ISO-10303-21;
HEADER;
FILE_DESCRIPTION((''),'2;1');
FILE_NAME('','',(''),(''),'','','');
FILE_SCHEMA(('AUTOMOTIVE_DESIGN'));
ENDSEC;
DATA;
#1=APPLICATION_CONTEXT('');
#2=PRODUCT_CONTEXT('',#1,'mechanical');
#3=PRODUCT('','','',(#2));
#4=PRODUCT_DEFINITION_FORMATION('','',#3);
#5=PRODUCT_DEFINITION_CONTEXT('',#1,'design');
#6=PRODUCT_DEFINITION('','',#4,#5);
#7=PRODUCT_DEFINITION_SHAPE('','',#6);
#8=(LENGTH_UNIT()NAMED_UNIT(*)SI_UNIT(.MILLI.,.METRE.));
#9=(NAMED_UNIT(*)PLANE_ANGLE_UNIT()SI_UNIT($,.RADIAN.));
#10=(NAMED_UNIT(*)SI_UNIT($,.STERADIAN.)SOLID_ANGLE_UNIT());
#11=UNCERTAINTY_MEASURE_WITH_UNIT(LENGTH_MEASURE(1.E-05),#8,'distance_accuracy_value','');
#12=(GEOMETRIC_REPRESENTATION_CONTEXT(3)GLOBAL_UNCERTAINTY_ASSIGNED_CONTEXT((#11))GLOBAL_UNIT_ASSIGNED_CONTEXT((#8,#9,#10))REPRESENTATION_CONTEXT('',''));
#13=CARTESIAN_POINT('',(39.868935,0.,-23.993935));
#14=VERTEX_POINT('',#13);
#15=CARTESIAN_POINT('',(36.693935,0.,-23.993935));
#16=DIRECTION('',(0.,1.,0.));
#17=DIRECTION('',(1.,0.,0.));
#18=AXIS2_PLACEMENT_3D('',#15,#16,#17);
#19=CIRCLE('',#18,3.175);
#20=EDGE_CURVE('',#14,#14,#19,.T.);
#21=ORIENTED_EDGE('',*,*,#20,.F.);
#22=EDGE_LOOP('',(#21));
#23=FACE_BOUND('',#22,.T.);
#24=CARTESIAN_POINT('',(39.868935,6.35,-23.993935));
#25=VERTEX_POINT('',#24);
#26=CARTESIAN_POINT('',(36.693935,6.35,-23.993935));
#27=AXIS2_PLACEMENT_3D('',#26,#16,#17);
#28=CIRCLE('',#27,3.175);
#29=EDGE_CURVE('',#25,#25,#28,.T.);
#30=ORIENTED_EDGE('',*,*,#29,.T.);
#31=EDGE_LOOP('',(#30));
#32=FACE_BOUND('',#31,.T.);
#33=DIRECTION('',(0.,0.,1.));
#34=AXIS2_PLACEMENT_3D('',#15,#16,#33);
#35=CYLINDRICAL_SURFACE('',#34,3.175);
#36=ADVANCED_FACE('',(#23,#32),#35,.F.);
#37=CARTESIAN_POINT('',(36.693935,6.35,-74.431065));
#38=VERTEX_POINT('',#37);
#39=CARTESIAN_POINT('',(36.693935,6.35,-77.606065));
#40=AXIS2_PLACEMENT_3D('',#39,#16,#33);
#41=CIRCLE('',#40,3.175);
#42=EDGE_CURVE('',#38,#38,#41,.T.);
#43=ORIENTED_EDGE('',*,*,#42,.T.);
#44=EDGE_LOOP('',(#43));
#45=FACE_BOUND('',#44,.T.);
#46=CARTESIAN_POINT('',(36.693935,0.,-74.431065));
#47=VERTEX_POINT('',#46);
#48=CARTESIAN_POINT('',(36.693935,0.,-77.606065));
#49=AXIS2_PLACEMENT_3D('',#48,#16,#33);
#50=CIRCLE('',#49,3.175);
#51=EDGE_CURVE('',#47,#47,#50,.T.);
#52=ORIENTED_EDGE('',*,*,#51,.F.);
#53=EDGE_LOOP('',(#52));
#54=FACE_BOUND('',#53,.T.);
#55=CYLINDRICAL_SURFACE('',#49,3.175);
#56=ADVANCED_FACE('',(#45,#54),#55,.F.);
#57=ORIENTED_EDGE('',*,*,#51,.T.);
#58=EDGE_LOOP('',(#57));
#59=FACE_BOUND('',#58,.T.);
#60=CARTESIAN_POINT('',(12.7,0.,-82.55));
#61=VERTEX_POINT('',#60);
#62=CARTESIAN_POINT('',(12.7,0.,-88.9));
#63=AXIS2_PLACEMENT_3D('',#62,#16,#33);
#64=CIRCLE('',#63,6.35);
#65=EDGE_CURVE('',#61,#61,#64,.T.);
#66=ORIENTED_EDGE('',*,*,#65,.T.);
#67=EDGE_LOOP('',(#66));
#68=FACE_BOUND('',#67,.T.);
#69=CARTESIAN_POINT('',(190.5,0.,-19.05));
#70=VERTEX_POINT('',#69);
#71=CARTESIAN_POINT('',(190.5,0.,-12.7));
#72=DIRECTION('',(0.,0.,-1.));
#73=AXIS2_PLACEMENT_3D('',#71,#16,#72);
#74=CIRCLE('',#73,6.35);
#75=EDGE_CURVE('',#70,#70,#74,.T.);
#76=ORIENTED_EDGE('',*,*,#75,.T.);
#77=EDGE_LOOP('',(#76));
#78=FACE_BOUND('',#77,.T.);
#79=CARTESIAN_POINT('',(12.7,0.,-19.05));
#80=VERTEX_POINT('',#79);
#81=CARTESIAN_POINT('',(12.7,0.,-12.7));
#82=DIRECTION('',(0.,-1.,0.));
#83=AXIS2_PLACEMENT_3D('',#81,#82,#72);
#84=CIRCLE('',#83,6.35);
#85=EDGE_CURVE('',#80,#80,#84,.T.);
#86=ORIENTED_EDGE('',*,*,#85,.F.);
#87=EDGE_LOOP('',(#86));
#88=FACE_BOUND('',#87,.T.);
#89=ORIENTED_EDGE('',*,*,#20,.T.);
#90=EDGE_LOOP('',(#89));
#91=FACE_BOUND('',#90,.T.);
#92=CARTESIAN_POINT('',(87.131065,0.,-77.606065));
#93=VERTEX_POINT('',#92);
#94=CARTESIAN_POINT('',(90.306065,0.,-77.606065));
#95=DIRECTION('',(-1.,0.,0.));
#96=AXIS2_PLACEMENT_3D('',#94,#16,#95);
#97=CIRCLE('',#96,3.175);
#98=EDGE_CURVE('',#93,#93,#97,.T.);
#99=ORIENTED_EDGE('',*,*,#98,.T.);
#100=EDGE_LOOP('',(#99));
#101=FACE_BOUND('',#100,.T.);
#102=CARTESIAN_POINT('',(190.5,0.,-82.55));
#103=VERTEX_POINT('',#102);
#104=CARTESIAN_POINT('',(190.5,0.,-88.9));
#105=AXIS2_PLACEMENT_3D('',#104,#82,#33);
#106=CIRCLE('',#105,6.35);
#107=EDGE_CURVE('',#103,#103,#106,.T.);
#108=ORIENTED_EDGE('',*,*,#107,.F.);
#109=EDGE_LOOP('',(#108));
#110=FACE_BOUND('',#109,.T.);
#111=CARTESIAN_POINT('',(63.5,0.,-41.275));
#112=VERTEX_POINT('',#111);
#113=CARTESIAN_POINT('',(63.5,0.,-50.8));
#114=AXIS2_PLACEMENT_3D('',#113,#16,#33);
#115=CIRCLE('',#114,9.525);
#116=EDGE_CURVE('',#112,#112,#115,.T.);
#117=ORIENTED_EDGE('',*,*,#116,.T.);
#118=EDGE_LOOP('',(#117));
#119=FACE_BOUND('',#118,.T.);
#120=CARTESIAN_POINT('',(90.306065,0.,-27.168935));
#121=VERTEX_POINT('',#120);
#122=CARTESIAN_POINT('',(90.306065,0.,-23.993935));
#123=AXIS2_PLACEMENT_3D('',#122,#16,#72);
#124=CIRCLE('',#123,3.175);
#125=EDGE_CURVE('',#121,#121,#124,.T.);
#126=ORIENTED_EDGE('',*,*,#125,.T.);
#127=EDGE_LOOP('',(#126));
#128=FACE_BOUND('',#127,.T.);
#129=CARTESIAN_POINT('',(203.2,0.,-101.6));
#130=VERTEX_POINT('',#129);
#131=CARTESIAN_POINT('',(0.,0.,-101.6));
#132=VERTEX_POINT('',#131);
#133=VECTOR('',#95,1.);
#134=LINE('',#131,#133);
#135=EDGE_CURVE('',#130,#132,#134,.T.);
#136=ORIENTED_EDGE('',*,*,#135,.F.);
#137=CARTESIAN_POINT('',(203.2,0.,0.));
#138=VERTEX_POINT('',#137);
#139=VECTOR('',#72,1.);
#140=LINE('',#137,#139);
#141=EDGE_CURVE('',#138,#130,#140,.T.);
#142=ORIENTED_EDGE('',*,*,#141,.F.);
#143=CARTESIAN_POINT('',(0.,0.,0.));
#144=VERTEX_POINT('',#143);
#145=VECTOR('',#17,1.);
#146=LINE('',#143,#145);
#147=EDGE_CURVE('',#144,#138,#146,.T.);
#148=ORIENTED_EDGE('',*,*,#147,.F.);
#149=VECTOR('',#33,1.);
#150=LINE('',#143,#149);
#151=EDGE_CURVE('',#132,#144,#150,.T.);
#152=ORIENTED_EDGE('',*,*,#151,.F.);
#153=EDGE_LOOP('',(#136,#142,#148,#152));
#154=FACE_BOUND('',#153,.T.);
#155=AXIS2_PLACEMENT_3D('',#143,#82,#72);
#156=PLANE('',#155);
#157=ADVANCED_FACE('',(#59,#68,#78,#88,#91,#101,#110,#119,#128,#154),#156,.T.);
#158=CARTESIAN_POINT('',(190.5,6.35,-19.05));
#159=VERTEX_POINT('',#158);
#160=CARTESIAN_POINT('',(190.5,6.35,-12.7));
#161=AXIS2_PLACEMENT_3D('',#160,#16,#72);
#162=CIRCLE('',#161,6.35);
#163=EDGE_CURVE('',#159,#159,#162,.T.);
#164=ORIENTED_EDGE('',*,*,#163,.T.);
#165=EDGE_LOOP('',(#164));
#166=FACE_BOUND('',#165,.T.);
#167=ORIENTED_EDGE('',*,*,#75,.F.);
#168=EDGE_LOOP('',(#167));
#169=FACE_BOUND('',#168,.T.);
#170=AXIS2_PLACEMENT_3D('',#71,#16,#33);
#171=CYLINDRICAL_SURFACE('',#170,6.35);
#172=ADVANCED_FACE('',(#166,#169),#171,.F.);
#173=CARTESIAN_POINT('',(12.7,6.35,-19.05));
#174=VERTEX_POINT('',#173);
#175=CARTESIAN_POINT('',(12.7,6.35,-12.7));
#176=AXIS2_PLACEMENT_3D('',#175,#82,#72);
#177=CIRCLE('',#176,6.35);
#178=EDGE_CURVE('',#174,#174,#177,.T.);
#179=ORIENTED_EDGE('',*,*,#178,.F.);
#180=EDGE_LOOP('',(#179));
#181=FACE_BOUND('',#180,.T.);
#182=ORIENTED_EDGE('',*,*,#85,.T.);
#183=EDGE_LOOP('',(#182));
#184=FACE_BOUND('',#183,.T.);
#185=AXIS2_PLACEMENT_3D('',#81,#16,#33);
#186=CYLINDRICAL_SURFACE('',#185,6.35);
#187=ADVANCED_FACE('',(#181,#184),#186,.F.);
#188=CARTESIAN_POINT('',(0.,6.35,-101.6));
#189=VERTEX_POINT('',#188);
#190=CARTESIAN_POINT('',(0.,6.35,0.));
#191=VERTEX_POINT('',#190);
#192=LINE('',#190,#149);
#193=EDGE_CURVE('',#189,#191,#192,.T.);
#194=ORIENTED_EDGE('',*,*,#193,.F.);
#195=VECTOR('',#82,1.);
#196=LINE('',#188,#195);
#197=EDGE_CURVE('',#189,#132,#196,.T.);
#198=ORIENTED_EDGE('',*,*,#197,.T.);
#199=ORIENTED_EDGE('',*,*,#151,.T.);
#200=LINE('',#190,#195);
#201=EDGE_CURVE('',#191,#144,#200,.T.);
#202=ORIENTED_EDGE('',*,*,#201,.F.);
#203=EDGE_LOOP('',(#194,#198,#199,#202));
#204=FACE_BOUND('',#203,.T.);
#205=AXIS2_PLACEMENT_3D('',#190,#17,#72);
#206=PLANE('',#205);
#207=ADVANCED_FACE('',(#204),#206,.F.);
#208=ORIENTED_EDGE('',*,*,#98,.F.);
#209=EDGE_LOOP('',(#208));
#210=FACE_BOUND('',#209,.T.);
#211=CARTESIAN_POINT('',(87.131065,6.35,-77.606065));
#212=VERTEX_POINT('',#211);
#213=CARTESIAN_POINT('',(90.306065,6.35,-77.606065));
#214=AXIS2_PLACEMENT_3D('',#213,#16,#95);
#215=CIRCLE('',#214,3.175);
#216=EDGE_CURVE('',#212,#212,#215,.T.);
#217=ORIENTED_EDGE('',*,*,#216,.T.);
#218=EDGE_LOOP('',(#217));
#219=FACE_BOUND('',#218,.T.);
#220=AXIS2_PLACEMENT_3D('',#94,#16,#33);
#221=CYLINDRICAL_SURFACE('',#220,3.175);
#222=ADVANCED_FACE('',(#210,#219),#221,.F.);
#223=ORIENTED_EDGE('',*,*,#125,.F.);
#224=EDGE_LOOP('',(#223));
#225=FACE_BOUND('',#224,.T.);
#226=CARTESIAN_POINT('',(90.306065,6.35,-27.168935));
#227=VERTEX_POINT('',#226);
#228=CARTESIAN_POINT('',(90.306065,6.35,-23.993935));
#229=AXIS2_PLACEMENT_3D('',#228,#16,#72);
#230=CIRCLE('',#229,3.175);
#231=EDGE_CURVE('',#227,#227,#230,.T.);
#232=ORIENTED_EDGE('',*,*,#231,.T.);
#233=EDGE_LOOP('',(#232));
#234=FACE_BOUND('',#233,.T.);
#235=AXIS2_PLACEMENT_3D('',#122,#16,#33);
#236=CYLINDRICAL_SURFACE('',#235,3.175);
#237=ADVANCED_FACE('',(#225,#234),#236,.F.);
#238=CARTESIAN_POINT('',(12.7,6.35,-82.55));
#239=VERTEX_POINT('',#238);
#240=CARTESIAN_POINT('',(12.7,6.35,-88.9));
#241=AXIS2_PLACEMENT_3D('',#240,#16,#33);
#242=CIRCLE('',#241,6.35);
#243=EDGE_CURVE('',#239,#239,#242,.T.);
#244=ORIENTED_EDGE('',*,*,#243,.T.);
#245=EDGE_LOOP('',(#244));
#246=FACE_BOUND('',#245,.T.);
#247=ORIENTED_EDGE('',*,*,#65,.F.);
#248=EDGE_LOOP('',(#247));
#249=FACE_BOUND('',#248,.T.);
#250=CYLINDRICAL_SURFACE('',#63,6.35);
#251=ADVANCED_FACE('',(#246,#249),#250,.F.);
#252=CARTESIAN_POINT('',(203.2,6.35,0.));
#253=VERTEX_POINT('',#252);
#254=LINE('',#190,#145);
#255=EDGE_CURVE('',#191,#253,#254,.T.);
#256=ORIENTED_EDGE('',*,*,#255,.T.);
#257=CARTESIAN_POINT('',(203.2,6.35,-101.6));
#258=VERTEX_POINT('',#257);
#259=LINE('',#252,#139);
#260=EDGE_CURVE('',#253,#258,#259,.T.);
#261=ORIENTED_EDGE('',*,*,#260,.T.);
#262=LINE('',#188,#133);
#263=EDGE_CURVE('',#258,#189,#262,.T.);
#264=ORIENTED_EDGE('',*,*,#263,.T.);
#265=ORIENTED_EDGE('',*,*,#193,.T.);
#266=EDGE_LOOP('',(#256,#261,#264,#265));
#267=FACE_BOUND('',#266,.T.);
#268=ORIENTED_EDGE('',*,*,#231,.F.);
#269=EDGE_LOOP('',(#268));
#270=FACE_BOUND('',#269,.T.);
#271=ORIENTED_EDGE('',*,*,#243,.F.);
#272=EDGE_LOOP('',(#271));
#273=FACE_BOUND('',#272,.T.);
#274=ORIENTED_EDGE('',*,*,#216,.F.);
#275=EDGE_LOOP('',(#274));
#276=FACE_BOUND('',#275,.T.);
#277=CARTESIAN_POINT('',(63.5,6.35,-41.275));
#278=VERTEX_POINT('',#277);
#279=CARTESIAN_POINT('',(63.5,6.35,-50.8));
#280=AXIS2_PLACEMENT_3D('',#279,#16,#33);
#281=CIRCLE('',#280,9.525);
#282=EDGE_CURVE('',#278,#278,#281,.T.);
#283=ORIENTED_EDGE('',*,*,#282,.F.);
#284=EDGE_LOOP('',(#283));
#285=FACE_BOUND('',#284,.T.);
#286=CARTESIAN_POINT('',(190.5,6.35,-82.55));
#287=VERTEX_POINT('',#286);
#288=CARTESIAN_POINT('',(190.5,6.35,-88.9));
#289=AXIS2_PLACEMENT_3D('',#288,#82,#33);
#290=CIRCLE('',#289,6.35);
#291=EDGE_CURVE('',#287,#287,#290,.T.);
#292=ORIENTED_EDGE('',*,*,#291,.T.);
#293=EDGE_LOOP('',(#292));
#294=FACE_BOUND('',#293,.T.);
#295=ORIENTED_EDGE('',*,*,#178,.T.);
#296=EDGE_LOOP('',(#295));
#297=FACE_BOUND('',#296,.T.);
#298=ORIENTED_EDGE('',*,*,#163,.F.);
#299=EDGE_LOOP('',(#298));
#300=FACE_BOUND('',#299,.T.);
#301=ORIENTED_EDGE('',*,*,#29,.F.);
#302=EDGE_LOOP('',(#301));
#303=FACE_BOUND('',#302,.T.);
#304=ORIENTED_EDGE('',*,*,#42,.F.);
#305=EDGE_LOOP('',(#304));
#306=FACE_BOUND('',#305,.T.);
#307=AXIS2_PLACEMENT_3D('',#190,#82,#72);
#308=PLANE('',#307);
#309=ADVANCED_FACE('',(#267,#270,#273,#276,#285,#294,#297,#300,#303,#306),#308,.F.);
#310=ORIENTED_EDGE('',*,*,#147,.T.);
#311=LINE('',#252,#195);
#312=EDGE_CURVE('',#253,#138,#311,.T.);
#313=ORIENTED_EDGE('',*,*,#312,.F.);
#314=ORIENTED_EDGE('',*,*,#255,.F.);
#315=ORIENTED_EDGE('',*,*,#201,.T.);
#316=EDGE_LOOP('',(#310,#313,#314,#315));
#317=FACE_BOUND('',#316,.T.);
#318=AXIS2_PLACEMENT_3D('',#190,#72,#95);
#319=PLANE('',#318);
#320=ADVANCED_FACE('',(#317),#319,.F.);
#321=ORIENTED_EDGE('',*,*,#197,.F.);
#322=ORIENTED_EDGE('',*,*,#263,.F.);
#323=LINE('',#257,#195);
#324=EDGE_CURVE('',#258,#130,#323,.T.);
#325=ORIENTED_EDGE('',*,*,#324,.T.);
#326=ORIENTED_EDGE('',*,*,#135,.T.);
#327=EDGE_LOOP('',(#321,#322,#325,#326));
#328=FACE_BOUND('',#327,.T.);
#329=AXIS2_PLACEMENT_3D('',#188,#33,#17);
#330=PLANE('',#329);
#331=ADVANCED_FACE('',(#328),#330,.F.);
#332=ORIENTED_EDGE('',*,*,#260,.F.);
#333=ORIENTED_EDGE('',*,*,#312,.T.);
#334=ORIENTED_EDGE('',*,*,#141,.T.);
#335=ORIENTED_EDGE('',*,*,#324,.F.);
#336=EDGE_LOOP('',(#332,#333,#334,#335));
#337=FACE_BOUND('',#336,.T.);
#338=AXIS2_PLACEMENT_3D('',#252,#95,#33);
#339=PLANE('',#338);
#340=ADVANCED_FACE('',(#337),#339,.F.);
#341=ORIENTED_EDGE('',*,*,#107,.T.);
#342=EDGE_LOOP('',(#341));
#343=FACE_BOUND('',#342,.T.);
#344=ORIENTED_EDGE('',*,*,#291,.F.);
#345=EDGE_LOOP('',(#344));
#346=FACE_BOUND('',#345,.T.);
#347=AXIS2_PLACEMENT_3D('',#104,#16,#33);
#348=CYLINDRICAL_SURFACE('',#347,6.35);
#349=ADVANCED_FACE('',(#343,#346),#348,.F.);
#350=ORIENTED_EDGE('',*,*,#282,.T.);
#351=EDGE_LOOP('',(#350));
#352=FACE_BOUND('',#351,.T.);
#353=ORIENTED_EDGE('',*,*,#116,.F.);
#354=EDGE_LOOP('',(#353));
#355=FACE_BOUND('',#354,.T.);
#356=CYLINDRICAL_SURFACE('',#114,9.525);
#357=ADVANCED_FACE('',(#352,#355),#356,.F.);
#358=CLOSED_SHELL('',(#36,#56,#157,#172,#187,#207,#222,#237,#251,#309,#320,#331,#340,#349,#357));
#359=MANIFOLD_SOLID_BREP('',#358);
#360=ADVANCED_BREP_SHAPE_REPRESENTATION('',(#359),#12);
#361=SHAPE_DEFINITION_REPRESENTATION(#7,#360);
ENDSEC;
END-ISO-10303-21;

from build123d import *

# Parameters (mm, degrees)
SKETCH1_W               = 203.2
SKETCH1_H               = 101.6
BOSS_EXTRUDE1_DEPTH     = 6.35
SKETCH2_R               = 9.525
CUT_EXTRUDE1_DEPTH      = 228.273233136
SKETCH3_R               = 6.35
CUT_EXTRUDE2_DEPTH      = 228.273233136
MIRROR2_COPY_1_SKETCH_R = 6.35
MIRROR2_COPY_1_DEPTH    = 228.273233136
SKETCH4_R               = 3.175
CUT_EXTRUDE3_DEPTH      = 228.273233136
CIRPATTERN1_COUNT       = 4


with BuildPart() as part:
    # Sketch1 → Boss-Extrude1 (new body)
    with BuildSketch(Plane(origin=(0, 0, 0), x_dir=(1, 0, 0), z_dir=(0, 1, 0))):
        with Locations((101.6, 50.8)):
            Rectangle(SKETCH1_W, SKETCH1_H)
    extrude(amount=BOSS_EXTRUDE1_DEPTH)

    # Sketch2 → Cut-Extrude1 (cut, through all)
    with BuildSketch(Plane(origin=(0, 6.35, 0), x_dir=(1, 0, 0), z_dir=(0, 1, 0))):
        with Locations(Location((63.5, 50.8, 0), (0, 0, 270))):
            Circle(SKETCH2_R)
    extrude(amount=-CUT_EXTRUDE1_DEPTH, mode=Mode.SUBTRACT)

    # Sketch3 → Cut-Extrude2 (cut, through all)
    with BuildSketch(Plane(origin=(0, 6.35, 0), x_dir=(1, 0, 0), z_dir=(0, 1, 0))):
        with Locations(Location((12.7, 88.9, 0), (0, 0, 270))):
            Circle(SKETCH3_R)
    cut_extrude2 = extrude(amount=-CUT_EXTRUDE2_DEPTH, mode=Mode.SUBTRACT)

    # Mirror1: Cut-Extrude2 across plane
    add(cut_extrude2.mirror(Plane.XY.offset(-50.8)), mode=Mode.SUBTRACT)

    # Mirror2: Cut-Extrude2 across plane
    add(cut_extrude2.mirror(Plane.ZY.offset(-101.6)), mode=Mode.SUBTRACT)

    # Mirror2 copy 1 sketch → Mirror2 copy 1 (cut, through all)
    with BuildSketch(Plane(origin=(203.2, 6.35, -101.6), x_dir=(-1, 0, 0), z_dir=(0, 1, 0))):
        with Locations(Location((12.7, 88.9, 0), (0, 0, 270))):
            Circle(MIRROR2_COPY_1_SKETCH_R)
    extrude(amount=-MIRROR2_COPY_1_DEPTH, mode=Mode.SUBTRACT)

    # Sketch4 → Cut-Extrude3 (cut, through all)
    with BuildSketch(Plane(origin=(0, 6.35, 0), x_dir=(1, 0, 0), z_dir=(0, 1, 0))):
        with Locations(Location((36.693935479, 77.606064521, 0), (0, 0, 270))):
            Circle(SKETCH4_R)
    cut_extrude3 = extrude(amount=-CUT_EXTRUDE3_DEPTH, mode=Mode.SUBTRACT)

    # CirPattern1: Cut-Extrude3 ×4 about axis
    cirpattern1_axis = Axis((63.5, 0, -50.8), (0, 1, 0))
    for i in range(1, CIRPATTERN1_COUNT):
        add(cut_extrude3.rotate(cirpattern1_axis, i * 360 / CIRPATTERN1_COUNT), mode=Mode.SUBTRACT)


solid = part.part
